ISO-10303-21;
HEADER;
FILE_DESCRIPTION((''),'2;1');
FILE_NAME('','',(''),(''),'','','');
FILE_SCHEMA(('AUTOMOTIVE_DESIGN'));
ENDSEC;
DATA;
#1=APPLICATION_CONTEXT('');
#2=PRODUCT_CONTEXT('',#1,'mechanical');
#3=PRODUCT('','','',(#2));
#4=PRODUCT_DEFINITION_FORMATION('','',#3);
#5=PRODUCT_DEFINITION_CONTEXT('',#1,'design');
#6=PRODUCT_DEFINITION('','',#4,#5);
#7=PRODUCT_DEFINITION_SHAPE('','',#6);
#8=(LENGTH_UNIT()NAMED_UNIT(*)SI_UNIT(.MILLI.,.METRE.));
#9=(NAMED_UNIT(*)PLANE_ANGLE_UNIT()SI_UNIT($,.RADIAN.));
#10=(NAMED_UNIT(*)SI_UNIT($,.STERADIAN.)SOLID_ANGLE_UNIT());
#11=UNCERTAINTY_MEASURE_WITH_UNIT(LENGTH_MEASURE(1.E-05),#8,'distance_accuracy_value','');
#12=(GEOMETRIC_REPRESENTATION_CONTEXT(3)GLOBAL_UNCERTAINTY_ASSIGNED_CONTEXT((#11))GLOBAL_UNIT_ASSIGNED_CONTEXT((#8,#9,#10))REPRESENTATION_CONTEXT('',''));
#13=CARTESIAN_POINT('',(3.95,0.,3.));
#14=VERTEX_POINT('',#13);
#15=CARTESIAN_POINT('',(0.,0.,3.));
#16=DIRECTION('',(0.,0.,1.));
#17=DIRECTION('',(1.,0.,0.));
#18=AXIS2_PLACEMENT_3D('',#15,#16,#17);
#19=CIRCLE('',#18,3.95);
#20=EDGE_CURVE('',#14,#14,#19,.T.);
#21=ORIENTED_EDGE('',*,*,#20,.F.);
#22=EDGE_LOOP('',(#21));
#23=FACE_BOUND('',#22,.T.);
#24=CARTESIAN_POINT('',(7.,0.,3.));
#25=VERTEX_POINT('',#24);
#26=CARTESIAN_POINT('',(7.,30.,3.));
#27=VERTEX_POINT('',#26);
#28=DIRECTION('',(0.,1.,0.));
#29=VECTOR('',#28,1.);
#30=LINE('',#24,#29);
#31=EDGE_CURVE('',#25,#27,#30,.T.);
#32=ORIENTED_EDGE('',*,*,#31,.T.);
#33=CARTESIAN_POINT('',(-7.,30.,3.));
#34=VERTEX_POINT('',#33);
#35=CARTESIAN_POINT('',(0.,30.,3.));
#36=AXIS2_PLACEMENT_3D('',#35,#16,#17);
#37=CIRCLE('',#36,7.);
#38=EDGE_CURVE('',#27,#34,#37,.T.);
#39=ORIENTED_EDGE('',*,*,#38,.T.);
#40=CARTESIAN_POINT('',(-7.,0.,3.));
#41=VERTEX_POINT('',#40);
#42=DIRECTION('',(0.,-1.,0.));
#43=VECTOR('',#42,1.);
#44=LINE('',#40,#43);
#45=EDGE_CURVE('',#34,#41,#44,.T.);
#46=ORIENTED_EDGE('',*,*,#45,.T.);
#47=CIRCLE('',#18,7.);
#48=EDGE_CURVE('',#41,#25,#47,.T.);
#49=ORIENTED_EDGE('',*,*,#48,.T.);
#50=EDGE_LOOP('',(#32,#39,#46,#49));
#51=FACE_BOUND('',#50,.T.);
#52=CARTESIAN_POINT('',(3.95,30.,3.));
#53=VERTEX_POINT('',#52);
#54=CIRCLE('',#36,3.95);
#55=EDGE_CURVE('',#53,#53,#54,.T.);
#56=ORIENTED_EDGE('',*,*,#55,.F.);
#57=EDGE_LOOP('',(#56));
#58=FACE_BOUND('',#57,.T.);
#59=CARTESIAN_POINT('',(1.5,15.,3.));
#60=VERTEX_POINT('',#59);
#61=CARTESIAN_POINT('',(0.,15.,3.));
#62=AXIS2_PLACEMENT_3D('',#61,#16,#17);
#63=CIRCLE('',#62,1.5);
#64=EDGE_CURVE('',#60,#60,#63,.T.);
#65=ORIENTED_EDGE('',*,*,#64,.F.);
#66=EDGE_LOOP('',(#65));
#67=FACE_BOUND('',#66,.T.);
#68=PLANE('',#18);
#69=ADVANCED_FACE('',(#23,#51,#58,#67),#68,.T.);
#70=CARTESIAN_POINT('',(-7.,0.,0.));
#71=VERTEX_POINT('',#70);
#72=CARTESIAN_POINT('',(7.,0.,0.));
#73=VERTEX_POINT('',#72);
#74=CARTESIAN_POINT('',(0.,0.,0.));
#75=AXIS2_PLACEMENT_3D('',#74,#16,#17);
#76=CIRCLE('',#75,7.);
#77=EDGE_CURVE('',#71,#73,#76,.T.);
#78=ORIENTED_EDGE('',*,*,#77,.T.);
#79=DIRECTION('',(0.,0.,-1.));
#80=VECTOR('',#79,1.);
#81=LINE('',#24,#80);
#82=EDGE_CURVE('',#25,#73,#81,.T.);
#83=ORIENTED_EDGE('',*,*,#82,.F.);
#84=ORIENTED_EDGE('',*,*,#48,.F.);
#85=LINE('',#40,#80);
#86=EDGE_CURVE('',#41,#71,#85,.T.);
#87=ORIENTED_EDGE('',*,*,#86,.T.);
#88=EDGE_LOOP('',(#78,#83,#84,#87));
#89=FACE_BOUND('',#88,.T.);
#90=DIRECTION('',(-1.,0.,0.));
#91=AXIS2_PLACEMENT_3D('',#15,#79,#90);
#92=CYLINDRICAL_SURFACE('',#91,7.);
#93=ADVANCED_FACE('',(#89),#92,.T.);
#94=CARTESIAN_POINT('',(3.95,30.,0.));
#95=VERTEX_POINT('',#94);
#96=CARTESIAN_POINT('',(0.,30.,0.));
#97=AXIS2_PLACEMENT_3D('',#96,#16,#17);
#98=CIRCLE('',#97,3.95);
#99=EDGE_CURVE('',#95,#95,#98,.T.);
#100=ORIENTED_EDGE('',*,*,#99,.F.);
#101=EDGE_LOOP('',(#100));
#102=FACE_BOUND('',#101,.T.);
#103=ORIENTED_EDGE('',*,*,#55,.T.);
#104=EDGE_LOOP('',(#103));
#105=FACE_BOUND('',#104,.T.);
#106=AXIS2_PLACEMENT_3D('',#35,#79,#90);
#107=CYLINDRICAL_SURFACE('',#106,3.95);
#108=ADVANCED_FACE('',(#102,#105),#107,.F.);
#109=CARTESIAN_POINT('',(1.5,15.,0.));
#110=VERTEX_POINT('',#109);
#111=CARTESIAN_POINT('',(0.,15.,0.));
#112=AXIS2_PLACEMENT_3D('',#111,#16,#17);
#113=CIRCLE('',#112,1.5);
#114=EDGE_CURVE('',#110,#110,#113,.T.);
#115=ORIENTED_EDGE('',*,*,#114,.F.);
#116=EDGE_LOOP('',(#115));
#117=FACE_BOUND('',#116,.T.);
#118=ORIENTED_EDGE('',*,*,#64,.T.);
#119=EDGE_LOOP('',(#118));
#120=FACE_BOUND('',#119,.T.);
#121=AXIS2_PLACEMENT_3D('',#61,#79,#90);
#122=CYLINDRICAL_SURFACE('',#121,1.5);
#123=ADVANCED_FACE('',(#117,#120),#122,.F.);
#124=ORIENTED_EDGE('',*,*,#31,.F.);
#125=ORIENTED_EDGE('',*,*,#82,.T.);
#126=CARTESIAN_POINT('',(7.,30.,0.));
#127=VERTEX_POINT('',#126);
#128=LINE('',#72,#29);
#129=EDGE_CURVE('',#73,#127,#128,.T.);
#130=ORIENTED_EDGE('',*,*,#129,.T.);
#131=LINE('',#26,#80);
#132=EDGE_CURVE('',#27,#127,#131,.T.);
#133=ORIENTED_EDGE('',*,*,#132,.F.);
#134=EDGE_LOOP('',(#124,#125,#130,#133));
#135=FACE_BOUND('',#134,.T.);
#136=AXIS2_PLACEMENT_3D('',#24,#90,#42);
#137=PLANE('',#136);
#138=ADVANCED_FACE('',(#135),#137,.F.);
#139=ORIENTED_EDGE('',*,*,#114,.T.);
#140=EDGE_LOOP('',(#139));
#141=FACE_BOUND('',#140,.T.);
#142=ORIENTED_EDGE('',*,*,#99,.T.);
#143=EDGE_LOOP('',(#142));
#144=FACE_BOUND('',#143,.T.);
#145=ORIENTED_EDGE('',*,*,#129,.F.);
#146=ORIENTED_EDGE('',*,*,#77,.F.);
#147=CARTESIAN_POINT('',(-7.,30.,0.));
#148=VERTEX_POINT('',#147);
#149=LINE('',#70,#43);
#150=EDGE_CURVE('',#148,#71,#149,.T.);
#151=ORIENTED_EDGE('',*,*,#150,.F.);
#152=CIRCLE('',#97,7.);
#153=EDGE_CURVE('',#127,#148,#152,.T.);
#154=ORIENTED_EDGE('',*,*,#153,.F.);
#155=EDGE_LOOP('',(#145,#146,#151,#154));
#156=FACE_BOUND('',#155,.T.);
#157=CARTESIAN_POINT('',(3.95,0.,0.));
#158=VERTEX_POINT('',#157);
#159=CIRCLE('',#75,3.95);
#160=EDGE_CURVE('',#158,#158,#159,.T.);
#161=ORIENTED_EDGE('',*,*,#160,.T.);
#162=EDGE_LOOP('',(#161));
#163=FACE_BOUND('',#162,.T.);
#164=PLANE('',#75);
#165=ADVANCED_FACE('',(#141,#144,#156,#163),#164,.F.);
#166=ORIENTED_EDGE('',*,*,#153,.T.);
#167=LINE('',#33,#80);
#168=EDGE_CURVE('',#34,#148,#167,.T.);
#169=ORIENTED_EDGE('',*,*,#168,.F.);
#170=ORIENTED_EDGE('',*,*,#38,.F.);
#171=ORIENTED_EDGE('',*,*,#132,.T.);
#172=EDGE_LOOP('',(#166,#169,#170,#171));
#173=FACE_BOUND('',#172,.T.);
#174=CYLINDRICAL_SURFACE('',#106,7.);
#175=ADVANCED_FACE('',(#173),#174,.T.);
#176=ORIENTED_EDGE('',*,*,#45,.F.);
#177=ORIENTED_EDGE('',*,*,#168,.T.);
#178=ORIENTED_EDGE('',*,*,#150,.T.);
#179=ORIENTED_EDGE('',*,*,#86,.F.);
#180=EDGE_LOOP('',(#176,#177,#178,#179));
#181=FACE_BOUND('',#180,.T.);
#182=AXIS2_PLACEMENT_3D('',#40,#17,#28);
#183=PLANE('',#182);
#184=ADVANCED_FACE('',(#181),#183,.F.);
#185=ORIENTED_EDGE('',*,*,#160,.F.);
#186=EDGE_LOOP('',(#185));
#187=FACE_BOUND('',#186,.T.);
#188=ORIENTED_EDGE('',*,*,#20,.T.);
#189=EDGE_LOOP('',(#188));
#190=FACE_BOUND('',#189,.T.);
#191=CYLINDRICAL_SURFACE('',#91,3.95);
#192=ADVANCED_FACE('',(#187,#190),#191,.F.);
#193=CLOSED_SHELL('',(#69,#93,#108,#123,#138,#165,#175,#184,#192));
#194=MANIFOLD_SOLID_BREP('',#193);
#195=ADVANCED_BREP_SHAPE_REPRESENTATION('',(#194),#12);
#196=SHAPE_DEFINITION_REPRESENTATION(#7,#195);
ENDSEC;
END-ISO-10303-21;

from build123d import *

# Parameters (mm, degrees)
SKETCH_1_R      = 7
SKETCH_1_R_2    = 3.95
SKETCH_1_R_3    = 1.5
EXTRUDE_1_DEPTH = 3


with BuildPart() as part:
    # 草图1 → 凸台-拉伸1 (new body)
    # profile 1 of 3: a face of its own
    with BuildSketch(Plane.XY):
        with Locations((0, 30)):
            Circle(SKETCH_1_R)
        with Locations((0, 30)):
            Circle(SKETCH_1_R_2, mode=Mode.SUBTRACT)
    # profile 2 of 3: a face of its own
    with BuildSketch(Plane.XY):
        with BuildLine():
            ThreePointArc((7, 30), (0, 23), (-7, 30))
            Line((-7, 30), (-7, 0))
            ThreePointArc((-7, 0), (0, 7), (7, 0))
            Line((7, 0), (7, 30))
        make_face()
        with Locations((0, 15)):
            Circle(SKETCH_1_R_3, mode=Mode.SUBTRACT)
    # profile 3 of 3: a face of its own
    with BuildSketch(Plane.XY):
        Circle(SKETCH_1_R)
        Circle(SKETCH_1_R_2, mode=Mode.SUBTRACT)
    extrude(amount=EXTRUDE_1_DEPTH)


solid = part.part
